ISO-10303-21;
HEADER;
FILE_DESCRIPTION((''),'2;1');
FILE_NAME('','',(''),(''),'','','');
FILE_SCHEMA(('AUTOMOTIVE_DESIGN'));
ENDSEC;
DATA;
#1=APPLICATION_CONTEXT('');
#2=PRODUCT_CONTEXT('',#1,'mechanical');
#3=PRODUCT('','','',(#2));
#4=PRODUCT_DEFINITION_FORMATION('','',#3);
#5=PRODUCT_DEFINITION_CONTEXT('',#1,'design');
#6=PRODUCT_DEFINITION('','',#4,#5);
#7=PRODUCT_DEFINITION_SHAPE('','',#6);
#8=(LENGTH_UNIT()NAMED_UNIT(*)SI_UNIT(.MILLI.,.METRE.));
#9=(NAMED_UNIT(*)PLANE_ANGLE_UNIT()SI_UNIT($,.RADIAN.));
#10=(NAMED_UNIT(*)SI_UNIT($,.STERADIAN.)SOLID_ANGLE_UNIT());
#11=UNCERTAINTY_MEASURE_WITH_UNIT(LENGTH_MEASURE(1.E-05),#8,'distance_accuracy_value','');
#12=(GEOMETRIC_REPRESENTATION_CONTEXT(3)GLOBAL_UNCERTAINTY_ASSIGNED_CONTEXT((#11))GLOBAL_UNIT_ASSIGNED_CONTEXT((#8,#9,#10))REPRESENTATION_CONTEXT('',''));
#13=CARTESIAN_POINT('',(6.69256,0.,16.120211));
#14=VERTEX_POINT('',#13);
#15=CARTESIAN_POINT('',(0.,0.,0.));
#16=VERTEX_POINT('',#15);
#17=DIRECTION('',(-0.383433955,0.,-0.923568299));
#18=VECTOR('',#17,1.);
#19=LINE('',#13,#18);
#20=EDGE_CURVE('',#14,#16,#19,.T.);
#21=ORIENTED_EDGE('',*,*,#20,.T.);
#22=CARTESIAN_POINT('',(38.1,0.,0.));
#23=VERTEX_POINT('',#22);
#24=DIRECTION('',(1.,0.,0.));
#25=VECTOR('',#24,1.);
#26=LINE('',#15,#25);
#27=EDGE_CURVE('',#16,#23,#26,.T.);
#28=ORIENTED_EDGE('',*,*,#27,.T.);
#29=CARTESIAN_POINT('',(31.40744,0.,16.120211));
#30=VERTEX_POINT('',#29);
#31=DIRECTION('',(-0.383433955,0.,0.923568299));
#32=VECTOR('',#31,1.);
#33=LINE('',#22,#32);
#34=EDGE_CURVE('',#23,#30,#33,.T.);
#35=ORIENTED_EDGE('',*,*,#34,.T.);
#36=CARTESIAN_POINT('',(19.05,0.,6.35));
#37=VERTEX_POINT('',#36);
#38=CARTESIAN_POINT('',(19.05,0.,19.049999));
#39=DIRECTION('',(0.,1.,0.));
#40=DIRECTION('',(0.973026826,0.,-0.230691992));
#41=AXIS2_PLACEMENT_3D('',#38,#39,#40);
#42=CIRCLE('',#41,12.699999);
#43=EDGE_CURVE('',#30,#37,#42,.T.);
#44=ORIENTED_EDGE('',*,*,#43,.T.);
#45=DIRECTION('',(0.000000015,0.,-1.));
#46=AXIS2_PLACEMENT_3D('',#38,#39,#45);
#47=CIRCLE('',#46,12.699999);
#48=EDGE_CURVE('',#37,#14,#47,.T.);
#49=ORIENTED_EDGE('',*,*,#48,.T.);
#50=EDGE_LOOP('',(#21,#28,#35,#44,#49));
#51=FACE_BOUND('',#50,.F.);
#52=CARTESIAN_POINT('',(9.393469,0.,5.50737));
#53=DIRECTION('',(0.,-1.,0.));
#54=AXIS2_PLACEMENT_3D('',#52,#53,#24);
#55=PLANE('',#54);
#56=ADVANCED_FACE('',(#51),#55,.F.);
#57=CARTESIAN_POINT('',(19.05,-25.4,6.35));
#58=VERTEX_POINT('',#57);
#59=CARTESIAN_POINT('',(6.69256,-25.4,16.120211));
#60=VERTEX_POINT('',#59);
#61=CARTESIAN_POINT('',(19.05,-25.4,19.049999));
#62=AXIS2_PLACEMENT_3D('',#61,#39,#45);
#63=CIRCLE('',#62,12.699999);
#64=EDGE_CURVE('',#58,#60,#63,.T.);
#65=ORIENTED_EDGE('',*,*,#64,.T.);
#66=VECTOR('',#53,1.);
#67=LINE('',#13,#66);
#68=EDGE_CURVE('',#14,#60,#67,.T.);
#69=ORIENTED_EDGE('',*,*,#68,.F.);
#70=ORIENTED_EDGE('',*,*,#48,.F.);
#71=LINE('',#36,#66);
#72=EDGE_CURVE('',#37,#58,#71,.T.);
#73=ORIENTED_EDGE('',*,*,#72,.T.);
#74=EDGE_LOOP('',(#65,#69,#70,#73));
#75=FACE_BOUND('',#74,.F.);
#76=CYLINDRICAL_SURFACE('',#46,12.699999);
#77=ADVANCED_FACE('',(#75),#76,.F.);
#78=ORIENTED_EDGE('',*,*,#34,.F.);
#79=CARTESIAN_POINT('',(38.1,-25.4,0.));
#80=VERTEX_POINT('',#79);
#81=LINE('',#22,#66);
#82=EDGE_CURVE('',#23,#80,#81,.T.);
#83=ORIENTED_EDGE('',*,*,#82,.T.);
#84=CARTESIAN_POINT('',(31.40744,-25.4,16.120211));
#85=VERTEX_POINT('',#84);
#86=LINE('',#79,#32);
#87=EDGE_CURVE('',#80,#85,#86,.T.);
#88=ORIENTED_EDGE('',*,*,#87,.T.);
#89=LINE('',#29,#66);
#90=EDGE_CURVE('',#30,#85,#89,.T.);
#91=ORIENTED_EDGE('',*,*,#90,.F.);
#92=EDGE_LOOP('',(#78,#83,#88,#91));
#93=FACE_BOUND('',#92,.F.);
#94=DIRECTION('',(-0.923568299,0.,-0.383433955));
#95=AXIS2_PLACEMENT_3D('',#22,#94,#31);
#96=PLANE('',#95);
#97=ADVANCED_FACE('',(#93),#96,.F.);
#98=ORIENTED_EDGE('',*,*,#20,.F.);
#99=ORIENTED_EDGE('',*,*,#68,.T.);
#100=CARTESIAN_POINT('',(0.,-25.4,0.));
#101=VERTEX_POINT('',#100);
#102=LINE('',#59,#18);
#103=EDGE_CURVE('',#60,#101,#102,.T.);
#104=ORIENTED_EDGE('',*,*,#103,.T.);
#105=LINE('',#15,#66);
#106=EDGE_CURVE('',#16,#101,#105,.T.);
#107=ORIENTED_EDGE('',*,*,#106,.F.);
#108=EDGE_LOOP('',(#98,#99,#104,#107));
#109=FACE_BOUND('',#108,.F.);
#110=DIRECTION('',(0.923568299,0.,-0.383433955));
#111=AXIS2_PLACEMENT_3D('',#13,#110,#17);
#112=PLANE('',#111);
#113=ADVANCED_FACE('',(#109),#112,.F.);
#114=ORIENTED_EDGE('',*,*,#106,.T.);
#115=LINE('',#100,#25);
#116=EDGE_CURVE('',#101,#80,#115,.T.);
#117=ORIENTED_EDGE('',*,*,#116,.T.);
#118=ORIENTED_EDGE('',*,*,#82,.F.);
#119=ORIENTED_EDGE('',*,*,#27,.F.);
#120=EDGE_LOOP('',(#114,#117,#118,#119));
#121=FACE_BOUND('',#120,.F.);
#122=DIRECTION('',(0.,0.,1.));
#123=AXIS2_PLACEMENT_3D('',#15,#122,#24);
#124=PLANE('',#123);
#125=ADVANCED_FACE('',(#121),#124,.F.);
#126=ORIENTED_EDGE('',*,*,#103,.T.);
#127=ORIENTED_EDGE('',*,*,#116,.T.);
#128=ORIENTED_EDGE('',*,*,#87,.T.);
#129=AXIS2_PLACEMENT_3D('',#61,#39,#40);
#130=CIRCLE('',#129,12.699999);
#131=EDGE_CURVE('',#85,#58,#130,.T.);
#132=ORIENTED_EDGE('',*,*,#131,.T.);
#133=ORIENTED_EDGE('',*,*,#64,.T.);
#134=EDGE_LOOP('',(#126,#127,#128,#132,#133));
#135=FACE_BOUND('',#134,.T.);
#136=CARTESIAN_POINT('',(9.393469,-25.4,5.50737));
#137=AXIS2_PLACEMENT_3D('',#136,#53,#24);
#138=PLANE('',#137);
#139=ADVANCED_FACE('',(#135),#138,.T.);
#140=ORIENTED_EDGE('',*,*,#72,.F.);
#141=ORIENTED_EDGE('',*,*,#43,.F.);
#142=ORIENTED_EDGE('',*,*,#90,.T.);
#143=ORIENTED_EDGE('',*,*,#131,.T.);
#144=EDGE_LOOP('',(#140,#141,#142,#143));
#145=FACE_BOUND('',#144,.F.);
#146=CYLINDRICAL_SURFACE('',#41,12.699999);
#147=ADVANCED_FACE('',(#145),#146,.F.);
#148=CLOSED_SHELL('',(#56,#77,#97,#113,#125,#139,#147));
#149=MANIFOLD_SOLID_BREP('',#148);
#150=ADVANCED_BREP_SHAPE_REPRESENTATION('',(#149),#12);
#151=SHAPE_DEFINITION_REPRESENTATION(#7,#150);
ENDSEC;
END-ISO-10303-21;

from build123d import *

# Parameters (mm, degrees)
F1_DEPTH = 25.4


with BuildPart() as f1:
    # F0 (on Front) → F1 (new body)
    with BuildSketch(Plane.XZ):
        with BuildLine():
            Line((6.69256, 16.120211), (0, 0))
            Line((0, 0), (19.05, 0))
            Line((19.05, 0), (19.05, 6.35))
            ThreePointArc((19.05, 6.35), (11.173399, 9.087613), (6.69256, 16.120211))
        make_face()
        with BuildLine():
            Line((19.05, 6.35), (19.05, 0))
            Line((19.05, 0), (38.1, 0))
            Line((38.1, 0), (31.40744, 16.120211))
            ThreePointArc((31.40744, 16.120211), (26.926601, 9.087613), (19.05, 6.35))
        make_face()
    extrude(amount=F1_DEPTH)


solid = f1.part
